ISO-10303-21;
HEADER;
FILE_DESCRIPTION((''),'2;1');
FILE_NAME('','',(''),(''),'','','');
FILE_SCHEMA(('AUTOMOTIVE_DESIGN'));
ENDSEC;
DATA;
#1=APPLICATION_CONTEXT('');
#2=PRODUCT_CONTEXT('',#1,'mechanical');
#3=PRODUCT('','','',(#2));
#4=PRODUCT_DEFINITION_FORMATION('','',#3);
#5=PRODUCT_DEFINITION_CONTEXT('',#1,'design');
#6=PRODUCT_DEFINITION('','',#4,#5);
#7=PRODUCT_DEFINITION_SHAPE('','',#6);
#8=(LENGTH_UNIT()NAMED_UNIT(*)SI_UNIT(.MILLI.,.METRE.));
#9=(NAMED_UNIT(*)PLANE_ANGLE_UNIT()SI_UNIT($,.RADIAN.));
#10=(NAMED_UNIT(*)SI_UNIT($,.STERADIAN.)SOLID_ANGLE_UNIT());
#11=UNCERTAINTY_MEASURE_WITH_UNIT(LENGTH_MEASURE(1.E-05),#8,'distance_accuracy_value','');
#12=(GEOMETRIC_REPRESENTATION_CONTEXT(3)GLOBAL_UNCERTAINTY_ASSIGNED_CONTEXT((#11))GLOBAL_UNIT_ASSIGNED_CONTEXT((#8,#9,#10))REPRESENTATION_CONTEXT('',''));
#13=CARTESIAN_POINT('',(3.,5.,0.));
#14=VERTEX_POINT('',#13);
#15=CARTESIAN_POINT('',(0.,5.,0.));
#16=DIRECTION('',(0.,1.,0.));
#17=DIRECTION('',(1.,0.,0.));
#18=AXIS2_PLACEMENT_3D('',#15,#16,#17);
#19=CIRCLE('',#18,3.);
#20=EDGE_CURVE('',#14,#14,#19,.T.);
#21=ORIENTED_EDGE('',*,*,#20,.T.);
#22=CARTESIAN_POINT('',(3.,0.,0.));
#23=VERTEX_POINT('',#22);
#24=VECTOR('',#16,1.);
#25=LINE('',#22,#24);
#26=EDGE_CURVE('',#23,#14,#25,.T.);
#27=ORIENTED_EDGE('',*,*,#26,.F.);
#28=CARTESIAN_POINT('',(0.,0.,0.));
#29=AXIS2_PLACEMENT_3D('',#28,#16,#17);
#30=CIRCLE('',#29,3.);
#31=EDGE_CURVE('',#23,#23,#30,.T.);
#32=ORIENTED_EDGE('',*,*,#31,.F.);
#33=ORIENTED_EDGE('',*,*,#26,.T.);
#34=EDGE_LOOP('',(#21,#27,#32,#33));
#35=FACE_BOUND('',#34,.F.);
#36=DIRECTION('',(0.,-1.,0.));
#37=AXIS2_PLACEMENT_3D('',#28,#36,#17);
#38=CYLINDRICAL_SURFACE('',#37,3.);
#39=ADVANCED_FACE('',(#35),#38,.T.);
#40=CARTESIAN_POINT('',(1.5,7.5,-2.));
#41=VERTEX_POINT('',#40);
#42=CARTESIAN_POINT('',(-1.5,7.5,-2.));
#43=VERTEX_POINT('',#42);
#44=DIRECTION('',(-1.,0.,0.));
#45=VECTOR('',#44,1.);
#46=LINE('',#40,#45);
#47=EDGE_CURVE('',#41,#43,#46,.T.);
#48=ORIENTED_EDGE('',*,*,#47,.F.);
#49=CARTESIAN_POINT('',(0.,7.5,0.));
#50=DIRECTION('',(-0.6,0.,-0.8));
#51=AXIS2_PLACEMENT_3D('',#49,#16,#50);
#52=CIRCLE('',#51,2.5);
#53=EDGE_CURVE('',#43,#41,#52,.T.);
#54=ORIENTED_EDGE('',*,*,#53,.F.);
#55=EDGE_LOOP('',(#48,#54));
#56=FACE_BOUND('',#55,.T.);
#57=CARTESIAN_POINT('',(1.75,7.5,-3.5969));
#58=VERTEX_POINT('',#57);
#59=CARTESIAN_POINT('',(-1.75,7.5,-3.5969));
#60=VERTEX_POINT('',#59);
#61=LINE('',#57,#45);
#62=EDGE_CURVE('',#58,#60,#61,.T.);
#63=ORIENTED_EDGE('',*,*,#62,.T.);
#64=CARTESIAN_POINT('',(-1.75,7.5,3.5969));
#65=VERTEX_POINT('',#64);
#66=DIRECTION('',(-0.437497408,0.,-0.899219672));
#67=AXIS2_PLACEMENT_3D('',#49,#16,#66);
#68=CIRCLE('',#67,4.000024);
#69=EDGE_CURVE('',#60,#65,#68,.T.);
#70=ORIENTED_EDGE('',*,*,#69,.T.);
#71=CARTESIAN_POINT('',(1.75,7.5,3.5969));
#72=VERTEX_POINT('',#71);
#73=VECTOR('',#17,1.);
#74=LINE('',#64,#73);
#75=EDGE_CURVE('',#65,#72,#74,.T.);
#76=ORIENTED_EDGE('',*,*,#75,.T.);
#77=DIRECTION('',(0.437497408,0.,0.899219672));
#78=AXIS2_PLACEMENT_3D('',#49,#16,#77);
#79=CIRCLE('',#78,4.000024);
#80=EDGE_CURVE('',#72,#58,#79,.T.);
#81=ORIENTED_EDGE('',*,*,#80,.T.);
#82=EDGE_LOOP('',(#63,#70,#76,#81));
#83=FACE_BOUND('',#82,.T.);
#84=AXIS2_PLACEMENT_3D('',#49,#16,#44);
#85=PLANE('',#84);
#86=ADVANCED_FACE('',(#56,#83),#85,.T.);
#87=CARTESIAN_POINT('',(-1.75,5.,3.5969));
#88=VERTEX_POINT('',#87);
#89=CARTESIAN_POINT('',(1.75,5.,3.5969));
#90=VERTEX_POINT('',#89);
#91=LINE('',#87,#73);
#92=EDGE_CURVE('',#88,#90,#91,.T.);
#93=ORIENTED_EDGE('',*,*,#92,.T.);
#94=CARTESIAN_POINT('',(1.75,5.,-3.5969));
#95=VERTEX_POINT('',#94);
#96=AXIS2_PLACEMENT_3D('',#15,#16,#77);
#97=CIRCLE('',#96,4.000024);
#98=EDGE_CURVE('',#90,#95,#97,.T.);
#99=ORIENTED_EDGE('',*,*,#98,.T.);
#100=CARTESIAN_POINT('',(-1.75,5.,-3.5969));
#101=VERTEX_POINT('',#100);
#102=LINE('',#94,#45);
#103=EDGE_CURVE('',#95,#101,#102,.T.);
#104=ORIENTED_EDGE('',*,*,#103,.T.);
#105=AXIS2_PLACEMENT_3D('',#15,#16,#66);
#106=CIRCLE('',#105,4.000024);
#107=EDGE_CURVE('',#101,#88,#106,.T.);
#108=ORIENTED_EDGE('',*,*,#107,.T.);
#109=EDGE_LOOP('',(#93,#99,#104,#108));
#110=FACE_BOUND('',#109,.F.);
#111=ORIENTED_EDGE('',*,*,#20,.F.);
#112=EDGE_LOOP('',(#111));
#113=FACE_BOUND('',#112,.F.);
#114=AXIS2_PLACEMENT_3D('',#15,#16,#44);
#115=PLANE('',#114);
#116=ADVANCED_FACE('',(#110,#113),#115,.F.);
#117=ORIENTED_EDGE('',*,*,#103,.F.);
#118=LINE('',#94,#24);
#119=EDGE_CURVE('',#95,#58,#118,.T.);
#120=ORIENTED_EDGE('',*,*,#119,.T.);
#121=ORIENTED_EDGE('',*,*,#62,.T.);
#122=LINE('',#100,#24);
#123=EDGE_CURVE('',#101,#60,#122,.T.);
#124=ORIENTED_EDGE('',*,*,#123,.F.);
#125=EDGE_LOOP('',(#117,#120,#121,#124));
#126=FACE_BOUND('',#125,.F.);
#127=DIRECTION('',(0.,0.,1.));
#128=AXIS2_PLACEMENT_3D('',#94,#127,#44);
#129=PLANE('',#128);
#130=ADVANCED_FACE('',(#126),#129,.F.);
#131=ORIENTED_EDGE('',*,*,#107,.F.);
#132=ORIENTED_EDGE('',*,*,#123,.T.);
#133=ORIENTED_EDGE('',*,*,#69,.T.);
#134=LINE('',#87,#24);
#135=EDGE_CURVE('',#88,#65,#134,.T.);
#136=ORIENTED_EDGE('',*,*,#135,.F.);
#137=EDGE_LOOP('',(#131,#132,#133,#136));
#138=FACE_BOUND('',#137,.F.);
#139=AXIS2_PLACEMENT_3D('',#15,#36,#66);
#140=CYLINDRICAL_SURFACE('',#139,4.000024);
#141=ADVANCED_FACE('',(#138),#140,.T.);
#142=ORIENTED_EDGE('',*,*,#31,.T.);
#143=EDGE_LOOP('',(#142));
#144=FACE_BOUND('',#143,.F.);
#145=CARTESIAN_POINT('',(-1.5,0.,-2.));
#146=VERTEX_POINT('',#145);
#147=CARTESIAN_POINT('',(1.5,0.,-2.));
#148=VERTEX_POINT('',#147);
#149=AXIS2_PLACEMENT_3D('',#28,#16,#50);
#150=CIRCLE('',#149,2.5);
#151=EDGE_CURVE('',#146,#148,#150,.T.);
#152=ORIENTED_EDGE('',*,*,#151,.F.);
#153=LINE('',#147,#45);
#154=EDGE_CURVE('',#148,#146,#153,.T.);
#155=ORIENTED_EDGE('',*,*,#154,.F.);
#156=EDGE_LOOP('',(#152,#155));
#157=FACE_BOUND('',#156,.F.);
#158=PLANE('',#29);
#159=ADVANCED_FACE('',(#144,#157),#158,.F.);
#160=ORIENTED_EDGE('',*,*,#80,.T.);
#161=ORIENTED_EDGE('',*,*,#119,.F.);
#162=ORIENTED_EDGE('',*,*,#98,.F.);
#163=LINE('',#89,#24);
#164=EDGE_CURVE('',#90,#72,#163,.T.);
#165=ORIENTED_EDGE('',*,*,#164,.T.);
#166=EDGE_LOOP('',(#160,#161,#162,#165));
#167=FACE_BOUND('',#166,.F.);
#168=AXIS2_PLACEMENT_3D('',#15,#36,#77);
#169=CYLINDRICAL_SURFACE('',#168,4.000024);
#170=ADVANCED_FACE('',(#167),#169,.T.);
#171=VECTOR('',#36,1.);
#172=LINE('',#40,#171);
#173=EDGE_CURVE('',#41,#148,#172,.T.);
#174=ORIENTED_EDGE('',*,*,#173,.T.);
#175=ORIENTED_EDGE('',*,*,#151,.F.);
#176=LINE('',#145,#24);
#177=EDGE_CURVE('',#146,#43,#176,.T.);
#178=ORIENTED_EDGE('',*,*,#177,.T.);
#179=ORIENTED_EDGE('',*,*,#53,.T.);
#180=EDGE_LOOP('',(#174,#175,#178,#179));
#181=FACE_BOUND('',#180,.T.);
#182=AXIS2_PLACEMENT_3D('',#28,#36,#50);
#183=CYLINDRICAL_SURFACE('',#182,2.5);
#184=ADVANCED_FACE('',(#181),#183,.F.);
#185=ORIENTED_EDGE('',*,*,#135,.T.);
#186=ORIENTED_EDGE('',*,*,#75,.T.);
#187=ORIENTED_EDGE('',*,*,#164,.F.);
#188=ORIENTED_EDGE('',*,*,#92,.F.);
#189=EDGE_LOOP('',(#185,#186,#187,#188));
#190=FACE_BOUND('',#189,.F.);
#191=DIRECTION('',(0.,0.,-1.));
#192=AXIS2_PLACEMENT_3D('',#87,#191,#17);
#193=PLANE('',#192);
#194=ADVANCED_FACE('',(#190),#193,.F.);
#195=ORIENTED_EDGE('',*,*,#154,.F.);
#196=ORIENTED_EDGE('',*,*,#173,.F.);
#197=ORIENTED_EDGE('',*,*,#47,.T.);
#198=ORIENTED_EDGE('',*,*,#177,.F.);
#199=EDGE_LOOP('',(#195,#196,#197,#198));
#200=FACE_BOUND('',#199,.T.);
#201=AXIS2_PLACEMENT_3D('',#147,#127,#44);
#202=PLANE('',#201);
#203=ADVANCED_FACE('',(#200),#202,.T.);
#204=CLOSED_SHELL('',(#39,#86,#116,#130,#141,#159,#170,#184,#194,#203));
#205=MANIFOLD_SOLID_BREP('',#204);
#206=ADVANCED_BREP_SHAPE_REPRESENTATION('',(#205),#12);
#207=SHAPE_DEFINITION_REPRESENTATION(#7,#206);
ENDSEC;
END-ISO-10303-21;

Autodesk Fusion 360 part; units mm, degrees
sketch "Sketch1" plane through (0, 0, 0) normal (0, 1, 0) x (1, 0, 0)
  arc A0 (-1.5, 2) -> (1.5, 2) centre (0, 0) ccw
  line L0 (1.5, 2) -> (-1.5, 2)
  circle A1 centre (0, 0) radius 3
  dimension "d2" = 3
  dimension "d3" = 2.5
  dimension "d4" = 6
extrude "Extrude1" add sketch "Sketch1" along normal blind 5
sketch "Sketch2" plane through (0, 5, 0) normal (0, 1, 0) x (-1, 0, 0)
  arc A0 (1.5, -2) -> (-1.5, -2) centre (0, 0) ccw
  line L0 (-1.5, -2) -> (1.5, -2)
  arc A1 (1.75, -3.5969) -> (1.75, 3.5969) centre (0, 0) ccw
  arc A2 (-1.75, 3.5969) -> (-1.75, -3.5969) centre (0, 0) ccw
  line L1 (-1.75, -3.5969) -> (1.75, -3.5969)
  line L2 (1.75, 3.5969) -> (-1.75, 3.5969)
  dimension "d7" = 3
  dimension "d8" = 2.5
  dimension "d9" = 4
  dimension "d10" = 4
  dimension "d11" = 3.5
  dimension "d12" = 3.5
extrude "Extrude2" add sketch "Sketch2" along normal blind 2.5
